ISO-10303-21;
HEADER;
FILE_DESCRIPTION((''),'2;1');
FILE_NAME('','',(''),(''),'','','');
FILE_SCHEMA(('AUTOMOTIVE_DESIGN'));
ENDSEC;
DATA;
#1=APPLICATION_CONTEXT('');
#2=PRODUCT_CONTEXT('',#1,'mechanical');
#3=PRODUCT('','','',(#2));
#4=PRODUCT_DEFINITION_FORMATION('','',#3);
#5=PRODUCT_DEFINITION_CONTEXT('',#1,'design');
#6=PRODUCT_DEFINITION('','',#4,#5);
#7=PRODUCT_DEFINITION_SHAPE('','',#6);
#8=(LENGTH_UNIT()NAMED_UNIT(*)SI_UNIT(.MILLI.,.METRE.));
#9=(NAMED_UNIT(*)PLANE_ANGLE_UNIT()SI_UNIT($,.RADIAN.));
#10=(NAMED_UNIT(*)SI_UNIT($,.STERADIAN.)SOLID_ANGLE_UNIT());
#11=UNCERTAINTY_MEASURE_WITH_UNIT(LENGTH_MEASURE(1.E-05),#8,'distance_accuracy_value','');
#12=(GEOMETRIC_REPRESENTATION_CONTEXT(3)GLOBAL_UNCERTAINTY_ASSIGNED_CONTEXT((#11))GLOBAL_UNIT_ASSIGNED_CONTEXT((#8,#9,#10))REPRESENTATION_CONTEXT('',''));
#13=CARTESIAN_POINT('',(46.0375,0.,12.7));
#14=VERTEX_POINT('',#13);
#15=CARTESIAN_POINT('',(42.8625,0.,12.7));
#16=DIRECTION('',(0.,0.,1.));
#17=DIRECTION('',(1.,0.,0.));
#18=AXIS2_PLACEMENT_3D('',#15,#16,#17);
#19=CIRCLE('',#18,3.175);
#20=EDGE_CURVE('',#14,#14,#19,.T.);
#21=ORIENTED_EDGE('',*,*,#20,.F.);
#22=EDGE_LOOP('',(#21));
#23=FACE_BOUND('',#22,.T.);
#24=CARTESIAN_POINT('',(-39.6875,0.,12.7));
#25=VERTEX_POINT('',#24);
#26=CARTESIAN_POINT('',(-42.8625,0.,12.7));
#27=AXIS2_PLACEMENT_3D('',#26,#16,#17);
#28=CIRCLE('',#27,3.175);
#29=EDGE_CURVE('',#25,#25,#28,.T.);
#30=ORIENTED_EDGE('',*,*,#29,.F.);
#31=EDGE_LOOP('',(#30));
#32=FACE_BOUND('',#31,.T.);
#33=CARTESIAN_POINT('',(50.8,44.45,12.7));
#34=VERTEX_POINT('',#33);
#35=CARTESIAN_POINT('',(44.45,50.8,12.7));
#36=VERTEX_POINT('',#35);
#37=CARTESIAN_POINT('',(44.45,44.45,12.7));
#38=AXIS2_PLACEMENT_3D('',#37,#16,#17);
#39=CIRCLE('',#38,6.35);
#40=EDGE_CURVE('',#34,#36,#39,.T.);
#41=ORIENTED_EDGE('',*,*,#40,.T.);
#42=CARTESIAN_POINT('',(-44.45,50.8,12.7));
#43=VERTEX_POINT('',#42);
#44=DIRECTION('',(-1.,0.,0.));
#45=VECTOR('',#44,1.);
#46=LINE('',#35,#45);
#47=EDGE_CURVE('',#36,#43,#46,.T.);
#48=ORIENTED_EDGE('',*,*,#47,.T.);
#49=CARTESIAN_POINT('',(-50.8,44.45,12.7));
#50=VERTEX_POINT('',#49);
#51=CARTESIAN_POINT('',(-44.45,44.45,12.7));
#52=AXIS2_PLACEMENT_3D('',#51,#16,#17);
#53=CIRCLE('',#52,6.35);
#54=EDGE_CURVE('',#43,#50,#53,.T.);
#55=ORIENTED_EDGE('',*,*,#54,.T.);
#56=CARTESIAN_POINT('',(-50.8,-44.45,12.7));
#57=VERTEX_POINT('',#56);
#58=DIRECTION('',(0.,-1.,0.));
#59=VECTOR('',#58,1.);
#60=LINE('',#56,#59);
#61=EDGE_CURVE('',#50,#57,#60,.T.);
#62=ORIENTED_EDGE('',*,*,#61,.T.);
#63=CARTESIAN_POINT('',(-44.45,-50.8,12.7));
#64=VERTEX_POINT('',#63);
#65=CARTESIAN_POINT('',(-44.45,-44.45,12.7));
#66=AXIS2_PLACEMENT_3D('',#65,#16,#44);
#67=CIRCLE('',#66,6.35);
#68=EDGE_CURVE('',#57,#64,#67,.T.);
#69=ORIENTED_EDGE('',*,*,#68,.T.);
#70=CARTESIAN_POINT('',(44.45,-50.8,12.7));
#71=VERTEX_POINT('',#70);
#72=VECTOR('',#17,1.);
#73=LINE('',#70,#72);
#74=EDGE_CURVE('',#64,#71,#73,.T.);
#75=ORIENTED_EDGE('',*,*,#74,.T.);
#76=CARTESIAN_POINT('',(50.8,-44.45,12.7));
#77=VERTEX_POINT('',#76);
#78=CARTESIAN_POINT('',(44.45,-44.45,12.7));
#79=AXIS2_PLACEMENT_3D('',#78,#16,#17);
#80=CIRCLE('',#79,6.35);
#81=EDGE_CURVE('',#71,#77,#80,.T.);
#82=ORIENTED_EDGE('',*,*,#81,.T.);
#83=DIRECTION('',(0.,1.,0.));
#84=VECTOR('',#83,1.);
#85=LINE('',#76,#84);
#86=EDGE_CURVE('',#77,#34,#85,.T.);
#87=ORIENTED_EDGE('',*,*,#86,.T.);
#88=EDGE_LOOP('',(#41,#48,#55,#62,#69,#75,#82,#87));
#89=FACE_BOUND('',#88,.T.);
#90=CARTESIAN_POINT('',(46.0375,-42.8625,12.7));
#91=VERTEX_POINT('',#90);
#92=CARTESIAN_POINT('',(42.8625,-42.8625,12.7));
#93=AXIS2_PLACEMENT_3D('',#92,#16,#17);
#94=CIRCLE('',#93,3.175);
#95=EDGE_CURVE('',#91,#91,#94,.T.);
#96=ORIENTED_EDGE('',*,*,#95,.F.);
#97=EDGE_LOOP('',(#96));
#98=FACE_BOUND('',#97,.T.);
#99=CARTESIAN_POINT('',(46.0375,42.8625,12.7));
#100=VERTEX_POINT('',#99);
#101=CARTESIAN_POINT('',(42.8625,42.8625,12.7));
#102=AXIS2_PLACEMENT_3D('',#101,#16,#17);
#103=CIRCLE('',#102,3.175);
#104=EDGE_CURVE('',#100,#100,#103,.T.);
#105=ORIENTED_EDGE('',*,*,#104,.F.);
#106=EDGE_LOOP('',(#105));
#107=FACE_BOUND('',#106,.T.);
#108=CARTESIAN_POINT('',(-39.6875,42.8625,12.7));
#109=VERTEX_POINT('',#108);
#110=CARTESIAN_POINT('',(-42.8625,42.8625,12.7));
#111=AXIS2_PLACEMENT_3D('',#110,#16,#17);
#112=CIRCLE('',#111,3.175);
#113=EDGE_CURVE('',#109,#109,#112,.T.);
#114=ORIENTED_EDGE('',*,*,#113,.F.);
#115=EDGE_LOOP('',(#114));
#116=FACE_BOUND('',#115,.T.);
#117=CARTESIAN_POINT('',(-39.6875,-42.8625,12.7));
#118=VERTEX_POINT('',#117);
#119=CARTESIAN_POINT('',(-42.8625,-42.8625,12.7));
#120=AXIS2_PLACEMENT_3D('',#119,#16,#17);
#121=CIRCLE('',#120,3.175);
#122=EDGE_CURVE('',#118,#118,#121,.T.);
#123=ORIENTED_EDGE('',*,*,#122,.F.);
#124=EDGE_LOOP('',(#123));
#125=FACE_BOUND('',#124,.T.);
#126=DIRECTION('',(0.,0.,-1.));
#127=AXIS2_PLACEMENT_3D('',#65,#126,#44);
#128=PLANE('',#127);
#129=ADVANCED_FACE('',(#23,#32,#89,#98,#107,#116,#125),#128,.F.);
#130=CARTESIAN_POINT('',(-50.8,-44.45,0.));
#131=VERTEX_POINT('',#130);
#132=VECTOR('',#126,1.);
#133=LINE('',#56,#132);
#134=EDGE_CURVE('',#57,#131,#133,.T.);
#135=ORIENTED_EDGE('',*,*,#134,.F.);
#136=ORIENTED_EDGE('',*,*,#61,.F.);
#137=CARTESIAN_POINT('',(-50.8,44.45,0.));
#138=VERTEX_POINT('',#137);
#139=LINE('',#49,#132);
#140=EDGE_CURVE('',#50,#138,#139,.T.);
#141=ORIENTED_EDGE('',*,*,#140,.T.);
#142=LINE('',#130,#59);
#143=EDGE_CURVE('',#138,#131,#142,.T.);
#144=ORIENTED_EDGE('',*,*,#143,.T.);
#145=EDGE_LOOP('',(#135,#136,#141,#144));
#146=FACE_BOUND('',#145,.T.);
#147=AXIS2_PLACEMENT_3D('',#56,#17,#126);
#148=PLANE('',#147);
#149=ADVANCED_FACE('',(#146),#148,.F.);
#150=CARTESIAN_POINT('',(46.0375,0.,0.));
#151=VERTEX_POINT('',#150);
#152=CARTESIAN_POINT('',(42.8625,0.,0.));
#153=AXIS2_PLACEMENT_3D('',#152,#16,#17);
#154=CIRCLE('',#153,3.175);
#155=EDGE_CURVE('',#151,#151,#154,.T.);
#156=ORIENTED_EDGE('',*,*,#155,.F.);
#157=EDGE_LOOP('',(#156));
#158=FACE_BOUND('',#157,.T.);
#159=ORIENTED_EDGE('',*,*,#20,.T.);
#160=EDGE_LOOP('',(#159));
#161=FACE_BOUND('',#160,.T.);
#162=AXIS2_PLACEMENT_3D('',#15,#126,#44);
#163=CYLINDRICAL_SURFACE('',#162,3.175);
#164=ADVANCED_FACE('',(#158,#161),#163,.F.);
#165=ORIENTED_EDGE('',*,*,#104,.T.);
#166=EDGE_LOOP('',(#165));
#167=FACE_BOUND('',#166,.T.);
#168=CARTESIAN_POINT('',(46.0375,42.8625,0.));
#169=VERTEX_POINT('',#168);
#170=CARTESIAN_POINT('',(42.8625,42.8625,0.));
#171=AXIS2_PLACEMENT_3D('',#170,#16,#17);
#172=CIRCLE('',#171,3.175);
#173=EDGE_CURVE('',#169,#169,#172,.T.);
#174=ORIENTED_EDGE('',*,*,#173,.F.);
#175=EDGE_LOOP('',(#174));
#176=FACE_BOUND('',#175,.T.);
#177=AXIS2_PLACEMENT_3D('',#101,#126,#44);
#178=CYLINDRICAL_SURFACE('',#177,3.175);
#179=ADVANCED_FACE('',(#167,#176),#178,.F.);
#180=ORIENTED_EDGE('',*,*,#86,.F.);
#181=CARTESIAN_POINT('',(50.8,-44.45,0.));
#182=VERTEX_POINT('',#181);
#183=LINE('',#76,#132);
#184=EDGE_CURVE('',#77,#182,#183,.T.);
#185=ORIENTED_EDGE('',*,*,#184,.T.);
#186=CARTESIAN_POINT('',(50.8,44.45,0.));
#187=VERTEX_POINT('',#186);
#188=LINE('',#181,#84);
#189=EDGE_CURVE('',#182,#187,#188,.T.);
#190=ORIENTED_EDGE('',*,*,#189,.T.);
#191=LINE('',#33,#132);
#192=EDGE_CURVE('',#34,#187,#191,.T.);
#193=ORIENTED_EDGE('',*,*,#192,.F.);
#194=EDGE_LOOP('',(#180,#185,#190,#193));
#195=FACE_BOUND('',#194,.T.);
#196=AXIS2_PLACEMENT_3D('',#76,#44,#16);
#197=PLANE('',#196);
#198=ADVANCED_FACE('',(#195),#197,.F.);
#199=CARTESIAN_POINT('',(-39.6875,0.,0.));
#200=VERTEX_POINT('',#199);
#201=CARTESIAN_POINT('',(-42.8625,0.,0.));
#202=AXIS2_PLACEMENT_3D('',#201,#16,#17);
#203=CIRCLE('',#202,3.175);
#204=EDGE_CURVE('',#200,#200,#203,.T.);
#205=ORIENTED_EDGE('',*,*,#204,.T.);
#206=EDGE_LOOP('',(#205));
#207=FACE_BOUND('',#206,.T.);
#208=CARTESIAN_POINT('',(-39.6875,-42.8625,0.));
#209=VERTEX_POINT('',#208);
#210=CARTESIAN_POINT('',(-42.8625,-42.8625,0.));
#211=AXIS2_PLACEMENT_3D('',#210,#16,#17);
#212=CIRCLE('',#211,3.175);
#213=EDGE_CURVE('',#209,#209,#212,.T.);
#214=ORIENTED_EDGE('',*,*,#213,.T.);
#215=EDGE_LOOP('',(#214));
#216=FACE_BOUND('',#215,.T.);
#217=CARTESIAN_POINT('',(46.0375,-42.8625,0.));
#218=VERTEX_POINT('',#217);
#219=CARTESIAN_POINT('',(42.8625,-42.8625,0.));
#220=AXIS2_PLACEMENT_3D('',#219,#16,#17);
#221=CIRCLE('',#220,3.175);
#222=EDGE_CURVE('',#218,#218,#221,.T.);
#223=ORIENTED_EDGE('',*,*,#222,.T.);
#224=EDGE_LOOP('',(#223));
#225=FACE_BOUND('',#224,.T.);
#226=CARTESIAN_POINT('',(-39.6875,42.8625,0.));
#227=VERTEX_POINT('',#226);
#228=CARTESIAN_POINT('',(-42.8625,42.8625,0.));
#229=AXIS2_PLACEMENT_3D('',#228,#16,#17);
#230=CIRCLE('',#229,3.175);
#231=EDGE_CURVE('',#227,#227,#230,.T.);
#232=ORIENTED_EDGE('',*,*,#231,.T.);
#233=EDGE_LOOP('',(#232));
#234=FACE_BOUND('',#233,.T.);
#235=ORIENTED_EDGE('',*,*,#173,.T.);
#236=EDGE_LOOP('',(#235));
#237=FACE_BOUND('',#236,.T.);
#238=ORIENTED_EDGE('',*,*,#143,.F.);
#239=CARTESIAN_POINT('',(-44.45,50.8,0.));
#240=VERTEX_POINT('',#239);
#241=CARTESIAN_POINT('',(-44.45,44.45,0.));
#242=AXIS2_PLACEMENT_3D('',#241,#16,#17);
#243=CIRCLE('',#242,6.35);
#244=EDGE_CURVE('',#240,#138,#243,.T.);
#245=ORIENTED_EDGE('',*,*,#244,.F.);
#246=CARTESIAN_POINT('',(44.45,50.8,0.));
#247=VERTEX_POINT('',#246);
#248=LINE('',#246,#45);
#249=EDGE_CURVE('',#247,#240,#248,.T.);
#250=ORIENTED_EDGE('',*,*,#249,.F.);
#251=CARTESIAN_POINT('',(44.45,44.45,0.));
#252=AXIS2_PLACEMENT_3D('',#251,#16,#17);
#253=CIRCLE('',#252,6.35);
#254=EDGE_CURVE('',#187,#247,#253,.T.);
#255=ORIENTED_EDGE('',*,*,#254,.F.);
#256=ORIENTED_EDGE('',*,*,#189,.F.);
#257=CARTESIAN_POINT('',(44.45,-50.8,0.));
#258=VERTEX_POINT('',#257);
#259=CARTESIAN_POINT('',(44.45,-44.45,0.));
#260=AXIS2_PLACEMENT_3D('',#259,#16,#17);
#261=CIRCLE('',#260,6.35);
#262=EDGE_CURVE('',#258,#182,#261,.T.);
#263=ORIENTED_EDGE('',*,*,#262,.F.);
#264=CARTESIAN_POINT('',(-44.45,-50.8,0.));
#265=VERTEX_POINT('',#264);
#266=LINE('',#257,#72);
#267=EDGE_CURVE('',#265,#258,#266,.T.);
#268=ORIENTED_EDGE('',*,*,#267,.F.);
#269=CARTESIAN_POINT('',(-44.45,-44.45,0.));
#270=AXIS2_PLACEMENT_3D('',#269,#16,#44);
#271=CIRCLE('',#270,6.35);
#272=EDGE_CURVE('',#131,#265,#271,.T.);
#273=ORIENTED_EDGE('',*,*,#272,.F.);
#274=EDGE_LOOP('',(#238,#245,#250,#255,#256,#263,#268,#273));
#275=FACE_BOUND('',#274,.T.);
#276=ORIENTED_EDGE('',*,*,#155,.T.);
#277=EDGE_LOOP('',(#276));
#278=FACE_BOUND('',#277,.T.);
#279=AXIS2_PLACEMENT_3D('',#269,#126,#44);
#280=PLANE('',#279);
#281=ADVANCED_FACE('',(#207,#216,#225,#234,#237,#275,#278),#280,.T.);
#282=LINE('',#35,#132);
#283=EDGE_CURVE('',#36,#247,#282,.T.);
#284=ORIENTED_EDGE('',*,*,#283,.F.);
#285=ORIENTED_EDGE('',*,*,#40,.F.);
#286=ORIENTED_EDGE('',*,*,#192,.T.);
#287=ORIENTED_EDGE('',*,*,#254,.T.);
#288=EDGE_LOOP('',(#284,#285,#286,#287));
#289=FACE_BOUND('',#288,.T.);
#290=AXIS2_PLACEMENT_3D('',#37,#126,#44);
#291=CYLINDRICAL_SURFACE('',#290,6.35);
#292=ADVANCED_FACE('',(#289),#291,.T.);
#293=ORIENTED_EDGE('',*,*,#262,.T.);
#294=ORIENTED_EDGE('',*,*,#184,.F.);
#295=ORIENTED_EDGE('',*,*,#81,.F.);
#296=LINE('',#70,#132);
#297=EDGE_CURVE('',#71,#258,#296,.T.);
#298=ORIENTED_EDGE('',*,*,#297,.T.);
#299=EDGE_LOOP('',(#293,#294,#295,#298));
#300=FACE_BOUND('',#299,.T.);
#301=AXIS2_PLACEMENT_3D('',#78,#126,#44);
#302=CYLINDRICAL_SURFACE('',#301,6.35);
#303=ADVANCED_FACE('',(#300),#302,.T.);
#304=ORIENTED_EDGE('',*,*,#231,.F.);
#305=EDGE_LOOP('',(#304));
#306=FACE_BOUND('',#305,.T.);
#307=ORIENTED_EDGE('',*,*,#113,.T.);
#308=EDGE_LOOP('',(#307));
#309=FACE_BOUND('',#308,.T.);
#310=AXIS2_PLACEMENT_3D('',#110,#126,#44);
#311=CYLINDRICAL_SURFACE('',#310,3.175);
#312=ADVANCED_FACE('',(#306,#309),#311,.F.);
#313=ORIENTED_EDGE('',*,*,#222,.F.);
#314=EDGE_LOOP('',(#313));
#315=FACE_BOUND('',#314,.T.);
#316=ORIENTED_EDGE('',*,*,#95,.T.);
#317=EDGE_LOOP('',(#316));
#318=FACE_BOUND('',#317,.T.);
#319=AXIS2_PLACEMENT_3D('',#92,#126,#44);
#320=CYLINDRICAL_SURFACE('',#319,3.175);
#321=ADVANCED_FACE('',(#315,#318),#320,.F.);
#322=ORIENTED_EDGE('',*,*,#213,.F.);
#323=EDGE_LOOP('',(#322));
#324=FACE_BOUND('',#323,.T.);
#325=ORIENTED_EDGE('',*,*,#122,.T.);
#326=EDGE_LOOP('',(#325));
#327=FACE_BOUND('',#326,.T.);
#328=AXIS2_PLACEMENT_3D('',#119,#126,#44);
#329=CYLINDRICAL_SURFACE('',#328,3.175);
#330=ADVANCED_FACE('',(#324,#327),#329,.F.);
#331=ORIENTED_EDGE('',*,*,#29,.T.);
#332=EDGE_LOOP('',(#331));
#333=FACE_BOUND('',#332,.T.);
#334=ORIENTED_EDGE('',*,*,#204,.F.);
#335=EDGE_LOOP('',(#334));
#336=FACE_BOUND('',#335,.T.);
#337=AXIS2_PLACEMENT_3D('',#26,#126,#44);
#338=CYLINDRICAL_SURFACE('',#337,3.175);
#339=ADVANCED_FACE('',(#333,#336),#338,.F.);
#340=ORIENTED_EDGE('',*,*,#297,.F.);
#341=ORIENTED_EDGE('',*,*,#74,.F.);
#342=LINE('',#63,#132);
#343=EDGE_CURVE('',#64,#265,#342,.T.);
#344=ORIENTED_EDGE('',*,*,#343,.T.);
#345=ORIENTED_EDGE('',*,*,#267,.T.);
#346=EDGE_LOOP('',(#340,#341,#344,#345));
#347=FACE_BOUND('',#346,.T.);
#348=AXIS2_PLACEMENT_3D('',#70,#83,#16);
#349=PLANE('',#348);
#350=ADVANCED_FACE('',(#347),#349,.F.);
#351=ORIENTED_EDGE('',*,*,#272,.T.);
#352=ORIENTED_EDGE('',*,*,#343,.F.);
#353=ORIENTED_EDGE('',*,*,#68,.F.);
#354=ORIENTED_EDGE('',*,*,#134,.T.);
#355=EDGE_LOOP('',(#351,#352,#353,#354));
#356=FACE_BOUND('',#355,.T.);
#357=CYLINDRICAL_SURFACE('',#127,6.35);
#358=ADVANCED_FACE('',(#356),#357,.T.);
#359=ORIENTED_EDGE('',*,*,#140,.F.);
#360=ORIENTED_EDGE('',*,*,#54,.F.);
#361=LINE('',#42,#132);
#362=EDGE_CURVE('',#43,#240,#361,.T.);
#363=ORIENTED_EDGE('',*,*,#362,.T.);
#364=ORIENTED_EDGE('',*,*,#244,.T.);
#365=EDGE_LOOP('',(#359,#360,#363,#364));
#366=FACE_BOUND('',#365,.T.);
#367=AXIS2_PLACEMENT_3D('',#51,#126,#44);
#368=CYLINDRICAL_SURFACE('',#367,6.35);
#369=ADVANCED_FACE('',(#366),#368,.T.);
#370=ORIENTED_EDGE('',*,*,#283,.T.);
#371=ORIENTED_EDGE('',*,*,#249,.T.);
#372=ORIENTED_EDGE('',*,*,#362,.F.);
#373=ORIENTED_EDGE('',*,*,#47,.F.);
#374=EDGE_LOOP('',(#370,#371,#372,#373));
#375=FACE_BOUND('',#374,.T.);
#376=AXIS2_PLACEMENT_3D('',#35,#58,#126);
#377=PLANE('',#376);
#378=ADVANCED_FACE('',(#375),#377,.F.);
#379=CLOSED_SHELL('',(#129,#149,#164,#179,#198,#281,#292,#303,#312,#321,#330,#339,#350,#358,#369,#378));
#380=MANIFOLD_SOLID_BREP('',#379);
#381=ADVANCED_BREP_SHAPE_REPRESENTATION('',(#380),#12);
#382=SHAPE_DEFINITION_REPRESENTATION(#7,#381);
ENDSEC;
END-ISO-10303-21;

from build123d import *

# Parameters (mm, degrees)
BOTTOM_PLATE_SKETCH_PROFILE_R = 3.175
BOTTOM_PLATE_EXTRUDE_DEPTH    = 12.7


with BuildPart() as part:
    # Bottom Plate Sketch Profile → Bottom Plate Extrude (new body)
    with BuildSketch(Plane.XY):
        with BuildLine():
            Line((44.45, -50.8), (-44.45, -50.8))
            ThreePointArc((-44.45, -50.8), (-48.940128061, -48.940128061), (-50.8, -44.45))
            Line((-50.8, -44.45), (-50.8, 44.45))
            ThreePointArc((-50.8, 44.45), (-48.940128061, 48.940128061), (-44.45, 50.8))
            Line((-44.45, 50.8), (44.45, 50.8))
            ThreePointArc((44.45, 50.8), (48.940128061, 48.940128061), (50.8, 44.45))
            Line((50.8, 44.45), (50.8, -44.45))
            ThreePointArc((50.8, -44.45), (48.940128061, -48.940128061), (44.45, -50.8))
        make_face()
        with Locations((-42.8625, 42.8625)):
            Circle(BOTTOM_PLATE_SKETCH_PROFILE_R, mode=Mode.SUBTRACT)
        with Locations((42.8625, 42.8625)):
            Circle(BOTTOM_PLATE_SKETCH_PROFILE_R, mode=Mode.SUBTRACT)
        with Locations((42.8625, -42.8625)):
            Circle(BOTTOM_PLATE_SKETCH_PROFILE_R, mode=Mode.SUBTRACT)
        with Locations((-42.8625, -42.8625)):
            Circle(BOTTOM_PLATE_SKETCH_PROFILE_R, mode=Mode.SUBTRACT)
        with Locations((-42.8625, 0)):
            Circle(BOTTOM_PLATE_SKETCH_PROFILE_R, mode=Mode.SUBTRACT)
        with Locations((42.8625, 0)):
            Circle(BOTTOM_PLATE_SKETCH_PROFILE_R, mode=Mode.SUBTRACT)
    extrude(amount=BOTTOM_PLATE_EXTRUDE_DEPTH)


solid = part.part
